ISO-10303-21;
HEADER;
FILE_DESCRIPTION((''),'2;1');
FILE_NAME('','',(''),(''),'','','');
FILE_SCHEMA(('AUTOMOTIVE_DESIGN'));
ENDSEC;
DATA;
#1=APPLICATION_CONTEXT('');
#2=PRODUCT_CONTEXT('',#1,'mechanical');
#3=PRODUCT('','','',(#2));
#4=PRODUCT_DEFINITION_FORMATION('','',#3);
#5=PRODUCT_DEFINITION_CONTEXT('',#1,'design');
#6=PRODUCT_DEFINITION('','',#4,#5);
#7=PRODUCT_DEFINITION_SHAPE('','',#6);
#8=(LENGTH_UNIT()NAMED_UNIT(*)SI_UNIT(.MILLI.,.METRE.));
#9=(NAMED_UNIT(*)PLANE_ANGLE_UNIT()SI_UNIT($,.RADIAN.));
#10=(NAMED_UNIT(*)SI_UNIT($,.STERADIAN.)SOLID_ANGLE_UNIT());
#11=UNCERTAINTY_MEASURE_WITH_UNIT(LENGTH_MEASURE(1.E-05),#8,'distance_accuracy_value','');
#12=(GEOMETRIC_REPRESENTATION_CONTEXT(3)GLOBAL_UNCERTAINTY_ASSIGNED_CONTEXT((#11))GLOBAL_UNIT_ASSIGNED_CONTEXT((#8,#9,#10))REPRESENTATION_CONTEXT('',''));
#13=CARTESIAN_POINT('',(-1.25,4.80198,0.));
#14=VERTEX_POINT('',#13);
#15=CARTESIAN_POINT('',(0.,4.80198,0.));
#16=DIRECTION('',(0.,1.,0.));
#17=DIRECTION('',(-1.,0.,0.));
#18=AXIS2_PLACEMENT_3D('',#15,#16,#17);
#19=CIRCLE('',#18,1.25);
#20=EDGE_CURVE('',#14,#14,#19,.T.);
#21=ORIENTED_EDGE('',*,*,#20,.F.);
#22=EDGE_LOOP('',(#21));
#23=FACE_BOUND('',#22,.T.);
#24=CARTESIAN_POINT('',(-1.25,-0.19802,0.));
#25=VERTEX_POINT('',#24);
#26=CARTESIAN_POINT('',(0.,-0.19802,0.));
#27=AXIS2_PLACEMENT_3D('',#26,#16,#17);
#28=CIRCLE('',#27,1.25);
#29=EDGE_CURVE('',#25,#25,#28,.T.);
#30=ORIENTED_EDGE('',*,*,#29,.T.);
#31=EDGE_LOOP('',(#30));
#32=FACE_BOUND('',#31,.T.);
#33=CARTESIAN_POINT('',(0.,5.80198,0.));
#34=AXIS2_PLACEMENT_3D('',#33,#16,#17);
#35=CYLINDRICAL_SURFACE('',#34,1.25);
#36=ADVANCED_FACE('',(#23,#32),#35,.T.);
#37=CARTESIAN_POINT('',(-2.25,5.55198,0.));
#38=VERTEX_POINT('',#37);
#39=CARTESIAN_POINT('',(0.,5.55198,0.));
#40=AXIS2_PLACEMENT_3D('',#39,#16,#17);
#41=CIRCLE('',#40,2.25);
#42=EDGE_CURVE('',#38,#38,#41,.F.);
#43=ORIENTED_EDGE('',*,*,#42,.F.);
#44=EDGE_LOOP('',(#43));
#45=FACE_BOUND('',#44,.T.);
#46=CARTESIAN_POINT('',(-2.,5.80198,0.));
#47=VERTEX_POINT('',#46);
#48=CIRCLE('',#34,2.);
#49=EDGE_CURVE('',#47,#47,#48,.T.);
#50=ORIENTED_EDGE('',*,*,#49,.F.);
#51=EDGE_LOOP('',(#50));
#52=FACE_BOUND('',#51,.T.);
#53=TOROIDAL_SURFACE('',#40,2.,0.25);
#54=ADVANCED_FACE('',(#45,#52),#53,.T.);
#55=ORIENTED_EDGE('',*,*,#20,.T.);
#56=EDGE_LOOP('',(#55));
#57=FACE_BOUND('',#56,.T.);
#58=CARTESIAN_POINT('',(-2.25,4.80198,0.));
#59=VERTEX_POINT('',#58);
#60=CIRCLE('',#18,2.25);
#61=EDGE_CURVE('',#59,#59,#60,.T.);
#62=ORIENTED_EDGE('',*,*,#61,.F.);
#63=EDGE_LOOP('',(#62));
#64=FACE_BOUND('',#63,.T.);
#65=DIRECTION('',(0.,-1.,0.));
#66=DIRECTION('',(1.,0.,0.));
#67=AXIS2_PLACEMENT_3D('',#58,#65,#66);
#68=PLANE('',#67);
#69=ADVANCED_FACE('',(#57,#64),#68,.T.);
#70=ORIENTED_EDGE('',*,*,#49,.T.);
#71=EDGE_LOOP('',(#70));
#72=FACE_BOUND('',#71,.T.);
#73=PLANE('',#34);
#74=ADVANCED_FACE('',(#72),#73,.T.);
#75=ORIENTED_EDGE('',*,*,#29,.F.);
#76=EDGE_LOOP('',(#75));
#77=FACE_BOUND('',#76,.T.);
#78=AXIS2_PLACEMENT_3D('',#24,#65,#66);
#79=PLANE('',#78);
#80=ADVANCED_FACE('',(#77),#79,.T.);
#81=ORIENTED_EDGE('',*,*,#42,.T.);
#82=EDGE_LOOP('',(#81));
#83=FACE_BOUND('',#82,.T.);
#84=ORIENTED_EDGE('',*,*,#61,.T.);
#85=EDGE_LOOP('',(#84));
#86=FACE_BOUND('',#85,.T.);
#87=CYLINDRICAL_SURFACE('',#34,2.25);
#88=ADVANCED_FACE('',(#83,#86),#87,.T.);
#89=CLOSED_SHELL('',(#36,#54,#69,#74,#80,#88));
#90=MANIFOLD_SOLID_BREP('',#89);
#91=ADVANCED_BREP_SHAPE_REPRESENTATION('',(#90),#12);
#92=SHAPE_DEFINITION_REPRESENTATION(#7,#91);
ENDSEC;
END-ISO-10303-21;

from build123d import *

# Parameters (mm, degrees)
FILLET1_R = 0.25


with BuildPart() as part:
    # Sketch1 → Revolve1 (revolve)
    with BuildSketch(Plane.XY):
        Polygon((0, 5.801980198), (0, -0.198019802), (-1.25, -0.198019802), (-1.25, 4.801980198), (-2.25, 4.801980198), (-2.25, 5.801980198), align=None)
    revolve(axis=Axis((0, 5.801980198, 0), (0, -1, 0)))

    # Fillet1
    fillet1_edges = [part.edges().sort_by_distance(p)[0] for p in [
        (2.25, 5.801980198, 0),
    ]]
    fillet(fillet1_edges, radius=FILLET1_R)


solid = part.part
